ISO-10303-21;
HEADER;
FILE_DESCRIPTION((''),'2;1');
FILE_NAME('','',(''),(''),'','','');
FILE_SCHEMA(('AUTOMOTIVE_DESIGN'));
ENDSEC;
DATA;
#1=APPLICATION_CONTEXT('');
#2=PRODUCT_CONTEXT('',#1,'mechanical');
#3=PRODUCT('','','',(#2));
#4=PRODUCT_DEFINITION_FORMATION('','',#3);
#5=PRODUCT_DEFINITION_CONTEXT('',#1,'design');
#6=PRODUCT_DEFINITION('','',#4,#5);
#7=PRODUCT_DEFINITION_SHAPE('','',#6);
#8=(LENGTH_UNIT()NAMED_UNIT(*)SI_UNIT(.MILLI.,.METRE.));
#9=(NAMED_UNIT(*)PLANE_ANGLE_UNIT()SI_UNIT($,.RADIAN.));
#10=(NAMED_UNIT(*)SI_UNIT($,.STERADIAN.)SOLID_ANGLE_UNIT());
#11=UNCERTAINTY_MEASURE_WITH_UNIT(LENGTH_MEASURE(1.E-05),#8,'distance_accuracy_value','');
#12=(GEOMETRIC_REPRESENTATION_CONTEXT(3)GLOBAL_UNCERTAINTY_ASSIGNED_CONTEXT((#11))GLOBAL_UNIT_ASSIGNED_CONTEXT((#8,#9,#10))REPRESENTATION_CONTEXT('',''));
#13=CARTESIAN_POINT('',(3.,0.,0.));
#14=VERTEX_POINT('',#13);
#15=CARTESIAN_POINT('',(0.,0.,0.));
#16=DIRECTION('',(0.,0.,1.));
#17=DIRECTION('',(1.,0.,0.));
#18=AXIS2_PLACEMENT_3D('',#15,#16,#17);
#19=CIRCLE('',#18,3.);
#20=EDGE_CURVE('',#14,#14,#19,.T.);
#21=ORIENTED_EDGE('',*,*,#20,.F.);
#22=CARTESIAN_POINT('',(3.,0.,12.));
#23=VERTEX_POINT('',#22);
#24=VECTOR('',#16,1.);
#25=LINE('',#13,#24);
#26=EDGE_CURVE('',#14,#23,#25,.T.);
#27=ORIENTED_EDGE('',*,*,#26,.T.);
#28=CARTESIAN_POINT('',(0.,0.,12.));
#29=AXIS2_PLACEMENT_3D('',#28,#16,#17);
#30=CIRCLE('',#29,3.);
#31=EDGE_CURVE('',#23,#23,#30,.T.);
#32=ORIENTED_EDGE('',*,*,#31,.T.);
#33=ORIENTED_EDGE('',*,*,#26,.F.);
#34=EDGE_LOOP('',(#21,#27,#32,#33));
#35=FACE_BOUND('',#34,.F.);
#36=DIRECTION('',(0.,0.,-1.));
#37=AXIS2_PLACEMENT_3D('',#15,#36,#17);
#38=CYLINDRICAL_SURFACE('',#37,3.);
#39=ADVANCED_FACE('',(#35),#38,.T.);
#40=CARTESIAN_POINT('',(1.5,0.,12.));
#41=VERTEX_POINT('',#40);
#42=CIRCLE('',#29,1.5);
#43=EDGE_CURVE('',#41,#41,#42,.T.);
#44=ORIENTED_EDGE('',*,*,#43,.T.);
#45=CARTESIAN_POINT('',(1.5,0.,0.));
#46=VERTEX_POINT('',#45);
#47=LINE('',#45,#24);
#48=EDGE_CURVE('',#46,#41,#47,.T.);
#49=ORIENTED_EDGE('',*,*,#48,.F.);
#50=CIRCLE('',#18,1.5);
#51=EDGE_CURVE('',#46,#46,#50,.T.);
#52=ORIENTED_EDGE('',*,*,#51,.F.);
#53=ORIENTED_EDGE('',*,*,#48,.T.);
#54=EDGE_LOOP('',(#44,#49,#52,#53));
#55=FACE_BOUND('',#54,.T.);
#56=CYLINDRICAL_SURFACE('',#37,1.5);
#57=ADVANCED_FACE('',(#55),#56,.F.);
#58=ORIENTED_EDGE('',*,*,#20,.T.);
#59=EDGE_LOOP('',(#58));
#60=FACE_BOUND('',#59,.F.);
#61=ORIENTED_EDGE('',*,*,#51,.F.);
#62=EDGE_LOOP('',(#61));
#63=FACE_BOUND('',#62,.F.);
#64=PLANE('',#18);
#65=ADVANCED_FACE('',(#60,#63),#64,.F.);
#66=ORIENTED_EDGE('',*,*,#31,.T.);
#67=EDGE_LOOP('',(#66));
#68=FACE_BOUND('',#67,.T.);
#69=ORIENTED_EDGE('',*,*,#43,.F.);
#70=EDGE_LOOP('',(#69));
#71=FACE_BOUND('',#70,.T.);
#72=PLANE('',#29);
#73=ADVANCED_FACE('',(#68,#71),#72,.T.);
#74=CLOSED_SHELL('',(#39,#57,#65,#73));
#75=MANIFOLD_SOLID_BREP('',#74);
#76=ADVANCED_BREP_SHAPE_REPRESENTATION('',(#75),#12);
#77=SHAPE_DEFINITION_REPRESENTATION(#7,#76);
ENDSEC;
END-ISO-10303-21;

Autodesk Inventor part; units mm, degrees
ref_plane "YZ Plane" through (0, 0, 0) normal (1, 0, 0) x (0, 1, 0)
ref_plane "XZ Plane" through (0, 0, 0) normal (0, 1, 0) x (-1, 0, 0)
ref_plane "XY Plane" through (0, 0, 0) normal (0, 0, 1) x (1, 0, 0)
sketch "Skizze1" plane through (0, 0, 0) normal (0, 0, 1) x (1, 0, 0)
  circle A0 centre (0, 0) radius 3
  circle A1 centre (0, 0) radius 1.5
  dimension "d0" = 6
  dimension "d1" = 3
extrude "Extrusion1" add sketch "Skizze1" along normal blind 12
properties part number "Spacer" material "Aluminium 6061"
